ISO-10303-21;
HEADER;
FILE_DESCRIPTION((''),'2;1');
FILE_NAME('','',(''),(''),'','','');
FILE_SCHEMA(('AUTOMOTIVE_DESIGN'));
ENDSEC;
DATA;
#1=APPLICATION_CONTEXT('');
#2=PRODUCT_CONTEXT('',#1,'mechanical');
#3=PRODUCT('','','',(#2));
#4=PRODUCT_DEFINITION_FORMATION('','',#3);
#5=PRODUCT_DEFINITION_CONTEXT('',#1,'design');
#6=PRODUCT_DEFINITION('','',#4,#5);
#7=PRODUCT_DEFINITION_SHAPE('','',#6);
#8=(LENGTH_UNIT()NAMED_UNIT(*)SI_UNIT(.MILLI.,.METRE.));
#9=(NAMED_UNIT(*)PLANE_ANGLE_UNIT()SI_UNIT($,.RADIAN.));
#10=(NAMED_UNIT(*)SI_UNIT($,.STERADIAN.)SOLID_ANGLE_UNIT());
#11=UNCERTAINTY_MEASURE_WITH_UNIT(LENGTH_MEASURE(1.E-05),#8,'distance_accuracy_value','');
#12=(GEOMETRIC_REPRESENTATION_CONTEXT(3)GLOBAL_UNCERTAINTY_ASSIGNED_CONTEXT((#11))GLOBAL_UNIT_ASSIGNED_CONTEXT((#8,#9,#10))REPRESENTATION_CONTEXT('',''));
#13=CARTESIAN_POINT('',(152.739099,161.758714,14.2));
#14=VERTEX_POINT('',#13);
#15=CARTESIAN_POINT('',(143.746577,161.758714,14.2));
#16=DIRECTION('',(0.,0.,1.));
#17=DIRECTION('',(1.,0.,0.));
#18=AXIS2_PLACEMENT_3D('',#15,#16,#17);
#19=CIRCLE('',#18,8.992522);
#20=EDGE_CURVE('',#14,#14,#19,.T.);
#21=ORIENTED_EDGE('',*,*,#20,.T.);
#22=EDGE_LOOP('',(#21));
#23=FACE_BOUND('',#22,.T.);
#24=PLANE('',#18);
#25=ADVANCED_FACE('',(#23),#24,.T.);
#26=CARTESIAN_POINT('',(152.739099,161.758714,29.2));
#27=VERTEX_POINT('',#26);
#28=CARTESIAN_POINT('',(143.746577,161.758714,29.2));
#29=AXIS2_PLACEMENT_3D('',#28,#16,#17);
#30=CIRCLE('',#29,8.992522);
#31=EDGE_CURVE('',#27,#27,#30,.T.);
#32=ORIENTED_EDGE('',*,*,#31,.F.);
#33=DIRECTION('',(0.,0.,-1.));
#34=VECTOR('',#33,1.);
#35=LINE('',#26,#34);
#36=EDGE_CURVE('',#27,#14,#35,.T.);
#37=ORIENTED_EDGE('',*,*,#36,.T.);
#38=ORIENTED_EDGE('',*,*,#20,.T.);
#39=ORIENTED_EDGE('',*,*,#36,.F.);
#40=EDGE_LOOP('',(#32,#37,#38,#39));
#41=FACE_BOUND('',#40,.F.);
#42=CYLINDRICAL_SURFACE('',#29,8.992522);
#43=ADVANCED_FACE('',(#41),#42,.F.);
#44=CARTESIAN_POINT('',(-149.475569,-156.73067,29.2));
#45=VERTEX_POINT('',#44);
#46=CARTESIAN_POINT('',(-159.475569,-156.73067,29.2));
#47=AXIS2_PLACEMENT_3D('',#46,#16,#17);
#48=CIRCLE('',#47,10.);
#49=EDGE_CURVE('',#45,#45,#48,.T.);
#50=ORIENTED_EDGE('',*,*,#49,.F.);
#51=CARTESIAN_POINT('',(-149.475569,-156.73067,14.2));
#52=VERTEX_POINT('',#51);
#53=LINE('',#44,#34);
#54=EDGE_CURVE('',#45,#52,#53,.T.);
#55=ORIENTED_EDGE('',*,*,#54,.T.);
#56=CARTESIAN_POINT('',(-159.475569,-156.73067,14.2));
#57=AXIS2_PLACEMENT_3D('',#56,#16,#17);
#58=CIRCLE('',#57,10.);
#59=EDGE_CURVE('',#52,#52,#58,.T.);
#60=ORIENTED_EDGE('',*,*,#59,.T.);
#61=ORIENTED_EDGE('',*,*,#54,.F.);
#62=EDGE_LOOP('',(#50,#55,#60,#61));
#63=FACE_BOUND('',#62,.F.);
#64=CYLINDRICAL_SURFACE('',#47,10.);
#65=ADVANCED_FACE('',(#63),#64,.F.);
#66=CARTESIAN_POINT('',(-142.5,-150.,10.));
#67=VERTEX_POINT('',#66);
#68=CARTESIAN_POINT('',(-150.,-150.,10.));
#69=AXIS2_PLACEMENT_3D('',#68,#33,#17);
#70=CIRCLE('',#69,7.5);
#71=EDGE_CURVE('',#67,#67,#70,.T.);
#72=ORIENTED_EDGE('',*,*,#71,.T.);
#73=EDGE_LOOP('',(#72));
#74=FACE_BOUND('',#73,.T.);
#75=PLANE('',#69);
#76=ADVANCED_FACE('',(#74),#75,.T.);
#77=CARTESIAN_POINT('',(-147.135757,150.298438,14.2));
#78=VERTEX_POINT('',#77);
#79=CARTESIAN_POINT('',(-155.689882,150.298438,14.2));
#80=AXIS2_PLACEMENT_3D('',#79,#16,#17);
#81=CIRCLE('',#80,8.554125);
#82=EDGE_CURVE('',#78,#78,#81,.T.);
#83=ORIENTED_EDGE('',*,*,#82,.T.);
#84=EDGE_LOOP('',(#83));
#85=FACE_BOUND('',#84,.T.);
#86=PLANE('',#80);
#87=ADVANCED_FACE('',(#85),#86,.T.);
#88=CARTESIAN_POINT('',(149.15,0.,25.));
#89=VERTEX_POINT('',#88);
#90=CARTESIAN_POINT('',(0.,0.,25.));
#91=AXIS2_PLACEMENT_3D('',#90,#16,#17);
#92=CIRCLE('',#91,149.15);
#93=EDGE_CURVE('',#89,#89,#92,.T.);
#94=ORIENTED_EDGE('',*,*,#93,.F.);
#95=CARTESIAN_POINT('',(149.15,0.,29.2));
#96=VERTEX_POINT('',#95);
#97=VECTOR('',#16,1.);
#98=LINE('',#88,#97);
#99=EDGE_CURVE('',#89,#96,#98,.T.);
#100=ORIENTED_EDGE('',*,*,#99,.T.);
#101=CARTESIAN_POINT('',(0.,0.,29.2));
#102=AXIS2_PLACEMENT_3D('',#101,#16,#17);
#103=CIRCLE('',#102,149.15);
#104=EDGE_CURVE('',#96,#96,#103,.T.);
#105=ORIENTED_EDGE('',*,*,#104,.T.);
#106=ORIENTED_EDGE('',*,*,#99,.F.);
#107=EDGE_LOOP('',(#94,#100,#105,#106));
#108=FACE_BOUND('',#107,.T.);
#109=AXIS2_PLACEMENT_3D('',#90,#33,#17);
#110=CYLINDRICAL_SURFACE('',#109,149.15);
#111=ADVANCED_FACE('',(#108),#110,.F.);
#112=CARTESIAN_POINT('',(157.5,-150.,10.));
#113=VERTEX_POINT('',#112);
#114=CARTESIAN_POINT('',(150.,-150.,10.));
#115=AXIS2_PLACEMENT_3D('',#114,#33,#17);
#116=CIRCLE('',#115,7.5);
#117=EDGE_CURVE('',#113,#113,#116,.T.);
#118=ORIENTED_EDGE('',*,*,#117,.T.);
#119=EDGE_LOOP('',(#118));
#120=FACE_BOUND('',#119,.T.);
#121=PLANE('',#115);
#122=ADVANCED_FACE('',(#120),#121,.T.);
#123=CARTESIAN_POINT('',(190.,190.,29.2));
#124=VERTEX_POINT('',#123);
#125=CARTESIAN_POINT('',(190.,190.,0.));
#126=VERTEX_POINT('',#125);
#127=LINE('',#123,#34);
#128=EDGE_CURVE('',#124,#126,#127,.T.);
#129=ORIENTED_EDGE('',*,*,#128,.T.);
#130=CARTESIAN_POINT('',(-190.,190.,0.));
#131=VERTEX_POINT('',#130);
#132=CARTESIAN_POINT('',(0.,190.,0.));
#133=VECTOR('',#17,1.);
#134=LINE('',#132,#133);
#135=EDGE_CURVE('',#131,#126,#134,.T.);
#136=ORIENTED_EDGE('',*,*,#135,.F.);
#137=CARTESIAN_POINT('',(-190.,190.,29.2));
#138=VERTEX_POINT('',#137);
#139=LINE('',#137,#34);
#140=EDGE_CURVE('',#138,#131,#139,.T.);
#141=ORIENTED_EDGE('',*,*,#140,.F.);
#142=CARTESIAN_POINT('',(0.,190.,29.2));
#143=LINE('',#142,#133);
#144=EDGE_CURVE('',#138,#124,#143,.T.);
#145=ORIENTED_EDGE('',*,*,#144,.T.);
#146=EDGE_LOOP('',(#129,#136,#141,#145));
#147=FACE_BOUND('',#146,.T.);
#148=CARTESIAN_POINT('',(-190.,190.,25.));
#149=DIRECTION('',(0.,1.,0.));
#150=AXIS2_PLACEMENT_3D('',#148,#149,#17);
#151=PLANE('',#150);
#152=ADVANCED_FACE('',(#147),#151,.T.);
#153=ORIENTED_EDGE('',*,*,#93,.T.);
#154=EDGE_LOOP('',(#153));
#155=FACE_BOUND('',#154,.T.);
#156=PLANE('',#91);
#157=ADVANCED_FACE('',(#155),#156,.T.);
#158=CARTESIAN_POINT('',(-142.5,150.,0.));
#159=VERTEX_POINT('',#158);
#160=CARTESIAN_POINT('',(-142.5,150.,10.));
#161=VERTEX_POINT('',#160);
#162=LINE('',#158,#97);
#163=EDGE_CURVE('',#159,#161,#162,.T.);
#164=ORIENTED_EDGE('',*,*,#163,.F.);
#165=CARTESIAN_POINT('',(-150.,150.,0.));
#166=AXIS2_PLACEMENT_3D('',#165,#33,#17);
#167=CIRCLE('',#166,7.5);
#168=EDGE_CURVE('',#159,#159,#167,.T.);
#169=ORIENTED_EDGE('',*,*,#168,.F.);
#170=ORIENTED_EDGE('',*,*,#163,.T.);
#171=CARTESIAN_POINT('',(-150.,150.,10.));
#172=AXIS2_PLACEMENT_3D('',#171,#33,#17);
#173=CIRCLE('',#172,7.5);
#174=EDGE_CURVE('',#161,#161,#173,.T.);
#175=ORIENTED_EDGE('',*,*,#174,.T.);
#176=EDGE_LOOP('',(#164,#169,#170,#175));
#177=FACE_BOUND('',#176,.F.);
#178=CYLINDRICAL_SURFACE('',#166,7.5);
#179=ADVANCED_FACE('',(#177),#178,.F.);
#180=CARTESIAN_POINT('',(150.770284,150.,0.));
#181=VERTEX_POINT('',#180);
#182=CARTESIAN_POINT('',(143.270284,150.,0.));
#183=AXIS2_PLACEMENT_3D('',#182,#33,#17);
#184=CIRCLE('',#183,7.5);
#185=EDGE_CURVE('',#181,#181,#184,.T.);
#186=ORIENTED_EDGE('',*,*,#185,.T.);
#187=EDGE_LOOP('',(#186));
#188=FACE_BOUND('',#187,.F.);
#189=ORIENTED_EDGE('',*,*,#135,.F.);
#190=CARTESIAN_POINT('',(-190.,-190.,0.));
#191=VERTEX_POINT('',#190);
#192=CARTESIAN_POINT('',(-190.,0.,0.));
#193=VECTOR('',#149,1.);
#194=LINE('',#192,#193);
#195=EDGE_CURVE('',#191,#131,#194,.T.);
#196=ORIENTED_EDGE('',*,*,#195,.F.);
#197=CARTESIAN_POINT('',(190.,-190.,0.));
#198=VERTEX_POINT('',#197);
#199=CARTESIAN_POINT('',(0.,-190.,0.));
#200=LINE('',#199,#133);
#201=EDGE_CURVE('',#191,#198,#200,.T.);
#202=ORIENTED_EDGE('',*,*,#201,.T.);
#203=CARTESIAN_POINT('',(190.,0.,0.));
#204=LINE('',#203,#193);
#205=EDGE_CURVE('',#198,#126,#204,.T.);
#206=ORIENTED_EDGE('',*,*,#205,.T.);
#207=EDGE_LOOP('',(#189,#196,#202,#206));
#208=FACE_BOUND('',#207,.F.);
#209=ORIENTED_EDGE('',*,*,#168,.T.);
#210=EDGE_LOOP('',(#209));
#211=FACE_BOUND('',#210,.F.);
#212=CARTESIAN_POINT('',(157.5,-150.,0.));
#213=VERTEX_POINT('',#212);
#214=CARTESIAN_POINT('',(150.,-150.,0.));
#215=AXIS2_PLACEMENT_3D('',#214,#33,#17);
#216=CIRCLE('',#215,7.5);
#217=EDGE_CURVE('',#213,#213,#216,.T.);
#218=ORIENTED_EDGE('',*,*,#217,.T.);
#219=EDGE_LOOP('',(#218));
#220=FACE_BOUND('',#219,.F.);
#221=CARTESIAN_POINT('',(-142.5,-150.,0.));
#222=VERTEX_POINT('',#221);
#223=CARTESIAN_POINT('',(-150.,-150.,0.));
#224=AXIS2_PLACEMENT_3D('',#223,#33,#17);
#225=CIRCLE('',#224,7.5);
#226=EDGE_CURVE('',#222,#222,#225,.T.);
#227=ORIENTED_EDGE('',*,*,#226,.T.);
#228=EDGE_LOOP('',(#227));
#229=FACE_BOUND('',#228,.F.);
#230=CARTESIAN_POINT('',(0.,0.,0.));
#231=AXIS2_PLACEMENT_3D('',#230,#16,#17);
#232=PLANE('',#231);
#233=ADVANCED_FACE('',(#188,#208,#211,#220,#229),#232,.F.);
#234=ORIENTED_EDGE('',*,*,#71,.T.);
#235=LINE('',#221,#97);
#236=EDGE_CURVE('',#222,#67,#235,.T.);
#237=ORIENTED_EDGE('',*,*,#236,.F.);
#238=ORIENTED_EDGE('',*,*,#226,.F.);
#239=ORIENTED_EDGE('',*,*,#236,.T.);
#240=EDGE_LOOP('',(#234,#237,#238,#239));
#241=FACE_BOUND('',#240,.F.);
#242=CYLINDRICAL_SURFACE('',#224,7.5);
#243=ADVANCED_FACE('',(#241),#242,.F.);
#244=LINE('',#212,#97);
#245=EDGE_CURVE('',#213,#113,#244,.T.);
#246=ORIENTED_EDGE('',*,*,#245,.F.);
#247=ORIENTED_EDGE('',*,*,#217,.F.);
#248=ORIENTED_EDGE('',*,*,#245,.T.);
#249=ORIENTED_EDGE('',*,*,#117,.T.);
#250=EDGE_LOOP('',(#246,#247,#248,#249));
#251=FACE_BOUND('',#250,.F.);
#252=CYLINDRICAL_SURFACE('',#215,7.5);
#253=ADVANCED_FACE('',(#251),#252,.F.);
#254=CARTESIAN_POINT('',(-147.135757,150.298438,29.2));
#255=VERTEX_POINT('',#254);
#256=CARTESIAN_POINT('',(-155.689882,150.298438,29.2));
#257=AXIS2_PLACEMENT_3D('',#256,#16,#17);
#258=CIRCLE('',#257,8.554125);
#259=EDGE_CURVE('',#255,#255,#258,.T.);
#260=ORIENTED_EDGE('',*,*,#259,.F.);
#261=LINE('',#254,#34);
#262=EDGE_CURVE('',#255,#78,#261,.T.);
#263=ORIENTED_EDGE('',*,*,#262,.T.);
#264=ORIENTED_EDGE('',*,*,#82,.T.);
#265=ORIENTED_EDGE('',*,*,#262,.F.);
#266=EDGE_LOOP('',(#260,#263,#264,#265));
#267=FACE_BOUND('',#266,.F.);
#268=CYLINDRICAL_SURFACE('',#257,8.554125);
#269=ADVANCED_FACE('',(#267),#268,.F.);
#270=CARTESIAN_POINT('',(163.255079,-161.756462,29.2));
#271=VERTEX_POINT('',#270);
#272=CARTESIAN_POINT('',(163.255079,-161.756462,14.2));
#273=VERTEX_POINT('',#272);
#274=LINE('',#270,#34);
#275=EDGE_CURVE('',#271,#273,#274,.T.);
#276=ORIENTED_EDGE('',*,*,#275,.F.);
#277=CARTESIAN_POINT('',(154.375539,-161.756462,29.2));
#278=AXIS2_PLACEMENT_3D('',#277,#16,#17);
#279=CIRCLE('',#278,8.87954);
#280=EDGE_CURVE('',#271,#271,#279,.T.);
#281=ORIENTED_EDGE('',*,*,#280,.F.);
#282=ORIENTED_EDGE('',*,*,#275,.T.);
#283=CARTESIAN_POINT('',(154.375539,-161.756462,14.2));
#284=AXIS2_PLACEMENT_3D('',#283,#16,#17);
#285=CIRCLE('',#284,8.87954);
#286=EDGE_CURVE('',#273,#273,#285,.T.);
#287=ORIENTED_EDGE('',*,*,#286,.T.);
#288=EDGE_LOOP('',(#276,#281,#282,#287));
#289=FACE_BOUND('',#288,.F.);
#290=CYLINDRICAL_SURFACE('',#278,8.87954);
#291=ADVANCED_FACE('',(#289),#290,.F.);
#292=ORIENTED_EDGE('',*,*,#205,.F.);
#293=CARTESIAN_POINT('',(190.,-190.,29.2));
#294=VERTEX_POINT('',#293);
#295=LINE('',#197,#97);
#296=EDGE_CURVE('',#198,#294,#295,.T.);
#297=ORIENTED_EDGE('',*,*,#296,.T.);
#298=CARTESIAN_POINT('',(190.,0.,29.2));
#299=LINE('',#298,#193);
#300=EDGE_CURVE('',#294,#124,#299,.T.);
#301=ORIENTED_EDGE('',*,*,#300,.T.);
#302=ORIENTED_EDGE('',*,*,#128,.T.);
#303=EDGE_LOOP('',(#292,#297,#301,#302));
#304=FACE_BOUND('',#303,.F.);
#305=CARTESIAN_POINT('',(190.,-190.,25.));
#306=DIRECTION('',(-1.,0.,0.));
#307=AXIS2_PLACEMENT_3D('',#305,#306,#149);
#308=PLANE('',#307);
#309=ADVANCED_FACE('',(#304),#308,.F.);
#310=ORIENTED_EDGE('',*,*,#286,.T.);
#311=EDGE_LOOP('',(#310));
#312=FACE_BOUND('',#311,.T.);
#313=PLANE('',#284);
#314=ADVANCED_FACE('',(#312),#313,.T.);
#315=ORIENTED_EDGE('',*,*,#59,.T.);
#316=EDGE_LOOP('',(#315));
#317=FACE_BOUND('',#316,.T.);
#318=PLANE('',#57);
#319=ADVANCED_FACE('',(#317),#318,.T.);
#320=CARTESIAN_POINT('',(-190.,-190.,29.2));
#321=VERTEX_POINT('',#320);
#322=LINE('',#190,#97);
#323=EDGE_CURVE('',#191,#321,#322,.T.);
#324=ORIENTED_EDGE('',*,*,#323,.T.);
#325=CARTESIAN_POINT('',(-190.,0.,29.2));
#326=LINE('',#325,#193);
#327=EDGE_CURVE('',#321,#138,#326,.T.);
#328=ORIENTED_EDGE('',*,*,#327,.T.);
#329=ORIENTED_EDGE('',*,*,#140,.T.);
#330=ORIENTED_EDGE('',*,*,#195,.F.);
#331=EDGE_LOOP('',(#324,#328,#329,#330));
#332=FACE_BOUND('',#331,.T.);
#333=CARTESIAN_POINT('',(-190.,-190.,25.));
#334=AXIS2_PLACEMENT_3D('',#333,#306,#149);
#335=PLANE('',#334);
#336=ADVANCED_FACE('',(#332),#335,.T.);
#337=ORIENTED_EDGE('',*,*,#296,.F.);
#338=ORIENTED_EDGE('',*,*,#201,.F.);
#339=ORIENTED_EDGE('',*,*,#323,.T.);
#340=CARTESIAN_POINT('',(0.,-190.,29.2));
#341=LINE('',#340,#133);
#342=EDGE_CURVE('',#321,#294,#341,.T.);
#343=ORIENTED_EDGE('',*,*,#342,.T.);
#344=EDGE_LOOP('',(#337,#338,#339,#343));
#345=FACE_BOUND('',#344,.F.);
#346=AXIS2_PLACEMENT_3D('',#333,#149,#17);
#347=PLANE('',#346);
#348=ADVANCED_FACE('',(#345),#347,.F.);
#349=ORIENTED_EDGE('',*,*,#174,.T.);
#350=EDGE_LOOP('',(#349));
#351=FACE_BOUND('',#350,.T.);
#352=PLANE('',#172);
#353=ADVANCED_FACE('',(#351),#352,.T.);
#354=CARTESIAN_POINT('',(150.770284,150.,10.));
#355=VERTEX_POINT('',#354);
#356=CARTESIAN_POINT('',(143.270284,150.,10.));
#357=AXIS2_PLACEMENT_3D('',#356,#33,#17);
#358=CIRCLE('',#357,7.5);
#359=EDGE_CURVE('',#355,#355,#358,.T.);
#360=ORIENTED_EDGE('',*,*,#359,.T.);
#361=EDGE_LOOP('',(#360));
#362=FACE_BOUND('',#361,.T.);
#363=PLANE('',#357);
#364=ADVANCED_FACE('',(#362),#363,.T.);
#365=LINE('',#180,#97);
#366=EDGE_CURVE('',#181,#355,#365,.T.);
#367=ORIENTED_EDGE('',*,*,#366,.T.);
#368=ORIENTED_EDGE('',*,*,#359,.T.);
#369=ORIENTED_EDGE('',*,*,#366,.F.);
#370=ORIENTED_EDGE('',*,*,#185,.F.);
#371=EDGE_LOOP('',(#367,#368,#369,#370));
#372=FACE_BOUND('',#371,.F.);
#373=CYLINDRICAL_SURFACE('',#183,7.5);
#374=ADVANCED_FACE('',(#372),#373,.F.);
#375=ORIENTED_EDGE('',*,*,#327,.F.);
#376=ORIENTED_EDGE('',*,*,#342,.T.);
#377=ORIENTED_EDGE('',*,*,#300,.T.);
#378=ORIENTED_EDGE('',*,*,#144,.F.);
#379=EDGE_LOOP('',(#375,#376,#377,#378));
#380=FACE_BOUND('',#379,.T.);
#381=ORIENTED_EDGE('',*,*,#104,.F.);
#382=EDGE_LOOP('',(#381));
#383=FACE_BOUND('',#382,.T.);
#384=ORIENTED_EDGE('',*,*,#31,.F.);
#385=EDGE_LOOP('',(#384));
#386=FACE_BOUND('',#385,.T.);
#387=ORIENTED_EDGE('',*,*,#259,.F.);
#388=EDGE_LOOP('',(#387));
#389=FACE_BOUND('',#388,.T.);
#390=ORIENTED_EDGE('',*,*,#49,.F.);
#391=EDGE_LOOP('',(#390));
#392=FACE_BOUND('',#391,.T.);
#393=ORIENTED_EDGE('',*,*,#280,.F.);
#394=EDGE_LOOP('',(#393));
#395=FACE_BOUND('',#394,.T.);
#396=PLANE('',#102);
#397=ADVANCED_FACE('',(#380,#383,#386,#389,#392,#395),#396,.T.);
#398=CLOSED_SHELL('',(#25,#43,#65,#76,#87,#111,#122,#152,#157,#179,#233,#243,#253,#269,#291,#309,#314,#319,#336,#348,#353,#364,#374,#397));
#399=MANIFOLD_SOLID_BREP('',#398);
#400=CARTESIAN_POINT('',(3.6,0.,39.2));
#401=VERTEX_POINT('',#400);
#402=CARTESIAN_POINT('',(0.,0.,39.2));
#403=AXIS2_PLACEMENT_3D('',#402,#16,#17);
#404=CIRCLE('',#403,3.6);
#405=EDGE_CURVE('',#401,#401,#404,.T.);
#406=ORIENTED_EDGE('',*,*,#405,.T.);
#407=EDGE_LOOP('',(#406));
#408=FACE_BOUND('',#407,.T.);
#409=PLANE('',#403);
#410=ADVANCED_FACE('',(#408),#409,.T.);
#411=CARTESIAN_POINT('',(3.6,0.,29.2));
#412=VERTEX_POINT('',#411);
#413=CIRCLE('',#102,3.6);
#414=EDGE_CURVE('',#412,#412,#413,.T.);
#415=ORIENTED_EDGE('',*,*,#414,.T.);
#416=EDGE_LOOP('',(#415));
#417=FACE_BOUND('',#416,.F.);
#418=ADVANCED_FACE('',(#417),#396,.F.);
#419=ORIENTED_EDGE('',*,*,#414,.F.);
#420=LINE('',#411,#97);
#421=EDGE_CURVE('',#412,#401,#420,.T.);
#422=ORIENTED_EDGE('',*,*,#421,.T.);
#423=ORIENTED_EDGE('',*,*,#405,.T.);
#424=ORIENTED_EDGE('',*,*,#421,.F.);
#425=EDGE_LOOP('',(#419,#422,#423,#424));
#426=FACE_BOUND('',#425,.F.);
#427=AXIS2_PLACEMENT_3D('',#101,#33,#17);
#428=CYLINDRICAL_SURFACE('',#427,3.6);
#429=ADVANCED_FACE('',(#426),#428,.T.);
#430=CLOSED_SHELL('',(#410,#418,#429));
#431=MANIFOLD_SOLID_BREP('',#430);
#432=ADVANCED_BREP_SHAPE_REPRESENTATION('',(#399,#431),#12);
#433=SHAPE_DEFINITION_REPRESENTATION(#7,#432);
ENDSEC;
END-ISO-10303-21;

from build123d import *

# Parameters (mm, degrees)
F0_W      = 380
F0_H      = 380
F2_DEPTH  = 25
F1_R      = 149.15
F1_R_2    = 3.6
F3_DEPTH  = 4.2
F4_W      = 380
F4_H      = 380
F4_R      = 149.15
F5_DEPTH  = 4.2
F7_R      = 7.5
F8_DEPTH  = 10
F9_R      = 8.554125
F9_R_2    = 8.992522
F9_R_3    = 8.87954
F9_R_4    = 10
F10_DEPTH = 15
F6_R      = 3.6
F11_DEPTH = 10


with BuildPart() as f2:
    # F0 (on Top) → F2 (new body)
    with BuildSketch(Plane.XY):
        Rectangle(F0_W, F0_H)
    extrude(amount=F2_DEPTH)

    # F1 (on face) → F3 (join)
    with BuildSketch(Plane.XY):
        Circle(F1_R)
        Circle(F1_R_2, mode=Mode.SUBTRACT)
    extrude(amount=F3_DEPTH)

    # F4 (on face) → F5 (join)
    with BuildSketch(Plane.XY.offset(25)):
        Rectangle(F4_W, F4_H)
        Circle(F4_R, mode=Mode.SUBTRACT)
    extrude(amount=F5_DEPTH)

    # F7 (on face) → F8 (cut)
    with BuildSketch(Plane(origin=(0, 0, 0), x_dir=(1, 0, 0), z_dir=(0, 0, -1))):
        with Locations((-150, 150)):
            Circle(F7_R)
        with Locations((-150, -150)):
            Circle(F7_R)
        with Locations((143.270284, -150)):
            Circle(F7_R)
        with Locations((150, 150)):
            Circle(F7_R)
    extrude(amount=-F8_DEPTH, mode=Mode.SUBTRACT)

    # F9 (on face) → F10 (cut)
    with BuildSketch(Plane.XY.offset(29.2)):
        with Locations((-155.689882, 150.298438)):
            Circle(F9_R)
        with Locations((143.746577, 161.758714)):
            Circle(F9_R_2)
        with Locations((154.375539, -161.756462)):
            Circle(F9_R_3)
        with Locations((-159.475569, -156.73067)):
            Circle(F9_R_4)
    extrude(amount=-F10_DEPTH, mode=Mode.SUBTRACT)


with BuildPart() as f11:
    # F6 (on face) → F11 (new body)
    with BuildSketch(Plane.XY.offset(29.2)):
        Circle(F6_R)
    extrude(amount=F11_DEPTH)


solid = Compound([f2.part, f11.part])
